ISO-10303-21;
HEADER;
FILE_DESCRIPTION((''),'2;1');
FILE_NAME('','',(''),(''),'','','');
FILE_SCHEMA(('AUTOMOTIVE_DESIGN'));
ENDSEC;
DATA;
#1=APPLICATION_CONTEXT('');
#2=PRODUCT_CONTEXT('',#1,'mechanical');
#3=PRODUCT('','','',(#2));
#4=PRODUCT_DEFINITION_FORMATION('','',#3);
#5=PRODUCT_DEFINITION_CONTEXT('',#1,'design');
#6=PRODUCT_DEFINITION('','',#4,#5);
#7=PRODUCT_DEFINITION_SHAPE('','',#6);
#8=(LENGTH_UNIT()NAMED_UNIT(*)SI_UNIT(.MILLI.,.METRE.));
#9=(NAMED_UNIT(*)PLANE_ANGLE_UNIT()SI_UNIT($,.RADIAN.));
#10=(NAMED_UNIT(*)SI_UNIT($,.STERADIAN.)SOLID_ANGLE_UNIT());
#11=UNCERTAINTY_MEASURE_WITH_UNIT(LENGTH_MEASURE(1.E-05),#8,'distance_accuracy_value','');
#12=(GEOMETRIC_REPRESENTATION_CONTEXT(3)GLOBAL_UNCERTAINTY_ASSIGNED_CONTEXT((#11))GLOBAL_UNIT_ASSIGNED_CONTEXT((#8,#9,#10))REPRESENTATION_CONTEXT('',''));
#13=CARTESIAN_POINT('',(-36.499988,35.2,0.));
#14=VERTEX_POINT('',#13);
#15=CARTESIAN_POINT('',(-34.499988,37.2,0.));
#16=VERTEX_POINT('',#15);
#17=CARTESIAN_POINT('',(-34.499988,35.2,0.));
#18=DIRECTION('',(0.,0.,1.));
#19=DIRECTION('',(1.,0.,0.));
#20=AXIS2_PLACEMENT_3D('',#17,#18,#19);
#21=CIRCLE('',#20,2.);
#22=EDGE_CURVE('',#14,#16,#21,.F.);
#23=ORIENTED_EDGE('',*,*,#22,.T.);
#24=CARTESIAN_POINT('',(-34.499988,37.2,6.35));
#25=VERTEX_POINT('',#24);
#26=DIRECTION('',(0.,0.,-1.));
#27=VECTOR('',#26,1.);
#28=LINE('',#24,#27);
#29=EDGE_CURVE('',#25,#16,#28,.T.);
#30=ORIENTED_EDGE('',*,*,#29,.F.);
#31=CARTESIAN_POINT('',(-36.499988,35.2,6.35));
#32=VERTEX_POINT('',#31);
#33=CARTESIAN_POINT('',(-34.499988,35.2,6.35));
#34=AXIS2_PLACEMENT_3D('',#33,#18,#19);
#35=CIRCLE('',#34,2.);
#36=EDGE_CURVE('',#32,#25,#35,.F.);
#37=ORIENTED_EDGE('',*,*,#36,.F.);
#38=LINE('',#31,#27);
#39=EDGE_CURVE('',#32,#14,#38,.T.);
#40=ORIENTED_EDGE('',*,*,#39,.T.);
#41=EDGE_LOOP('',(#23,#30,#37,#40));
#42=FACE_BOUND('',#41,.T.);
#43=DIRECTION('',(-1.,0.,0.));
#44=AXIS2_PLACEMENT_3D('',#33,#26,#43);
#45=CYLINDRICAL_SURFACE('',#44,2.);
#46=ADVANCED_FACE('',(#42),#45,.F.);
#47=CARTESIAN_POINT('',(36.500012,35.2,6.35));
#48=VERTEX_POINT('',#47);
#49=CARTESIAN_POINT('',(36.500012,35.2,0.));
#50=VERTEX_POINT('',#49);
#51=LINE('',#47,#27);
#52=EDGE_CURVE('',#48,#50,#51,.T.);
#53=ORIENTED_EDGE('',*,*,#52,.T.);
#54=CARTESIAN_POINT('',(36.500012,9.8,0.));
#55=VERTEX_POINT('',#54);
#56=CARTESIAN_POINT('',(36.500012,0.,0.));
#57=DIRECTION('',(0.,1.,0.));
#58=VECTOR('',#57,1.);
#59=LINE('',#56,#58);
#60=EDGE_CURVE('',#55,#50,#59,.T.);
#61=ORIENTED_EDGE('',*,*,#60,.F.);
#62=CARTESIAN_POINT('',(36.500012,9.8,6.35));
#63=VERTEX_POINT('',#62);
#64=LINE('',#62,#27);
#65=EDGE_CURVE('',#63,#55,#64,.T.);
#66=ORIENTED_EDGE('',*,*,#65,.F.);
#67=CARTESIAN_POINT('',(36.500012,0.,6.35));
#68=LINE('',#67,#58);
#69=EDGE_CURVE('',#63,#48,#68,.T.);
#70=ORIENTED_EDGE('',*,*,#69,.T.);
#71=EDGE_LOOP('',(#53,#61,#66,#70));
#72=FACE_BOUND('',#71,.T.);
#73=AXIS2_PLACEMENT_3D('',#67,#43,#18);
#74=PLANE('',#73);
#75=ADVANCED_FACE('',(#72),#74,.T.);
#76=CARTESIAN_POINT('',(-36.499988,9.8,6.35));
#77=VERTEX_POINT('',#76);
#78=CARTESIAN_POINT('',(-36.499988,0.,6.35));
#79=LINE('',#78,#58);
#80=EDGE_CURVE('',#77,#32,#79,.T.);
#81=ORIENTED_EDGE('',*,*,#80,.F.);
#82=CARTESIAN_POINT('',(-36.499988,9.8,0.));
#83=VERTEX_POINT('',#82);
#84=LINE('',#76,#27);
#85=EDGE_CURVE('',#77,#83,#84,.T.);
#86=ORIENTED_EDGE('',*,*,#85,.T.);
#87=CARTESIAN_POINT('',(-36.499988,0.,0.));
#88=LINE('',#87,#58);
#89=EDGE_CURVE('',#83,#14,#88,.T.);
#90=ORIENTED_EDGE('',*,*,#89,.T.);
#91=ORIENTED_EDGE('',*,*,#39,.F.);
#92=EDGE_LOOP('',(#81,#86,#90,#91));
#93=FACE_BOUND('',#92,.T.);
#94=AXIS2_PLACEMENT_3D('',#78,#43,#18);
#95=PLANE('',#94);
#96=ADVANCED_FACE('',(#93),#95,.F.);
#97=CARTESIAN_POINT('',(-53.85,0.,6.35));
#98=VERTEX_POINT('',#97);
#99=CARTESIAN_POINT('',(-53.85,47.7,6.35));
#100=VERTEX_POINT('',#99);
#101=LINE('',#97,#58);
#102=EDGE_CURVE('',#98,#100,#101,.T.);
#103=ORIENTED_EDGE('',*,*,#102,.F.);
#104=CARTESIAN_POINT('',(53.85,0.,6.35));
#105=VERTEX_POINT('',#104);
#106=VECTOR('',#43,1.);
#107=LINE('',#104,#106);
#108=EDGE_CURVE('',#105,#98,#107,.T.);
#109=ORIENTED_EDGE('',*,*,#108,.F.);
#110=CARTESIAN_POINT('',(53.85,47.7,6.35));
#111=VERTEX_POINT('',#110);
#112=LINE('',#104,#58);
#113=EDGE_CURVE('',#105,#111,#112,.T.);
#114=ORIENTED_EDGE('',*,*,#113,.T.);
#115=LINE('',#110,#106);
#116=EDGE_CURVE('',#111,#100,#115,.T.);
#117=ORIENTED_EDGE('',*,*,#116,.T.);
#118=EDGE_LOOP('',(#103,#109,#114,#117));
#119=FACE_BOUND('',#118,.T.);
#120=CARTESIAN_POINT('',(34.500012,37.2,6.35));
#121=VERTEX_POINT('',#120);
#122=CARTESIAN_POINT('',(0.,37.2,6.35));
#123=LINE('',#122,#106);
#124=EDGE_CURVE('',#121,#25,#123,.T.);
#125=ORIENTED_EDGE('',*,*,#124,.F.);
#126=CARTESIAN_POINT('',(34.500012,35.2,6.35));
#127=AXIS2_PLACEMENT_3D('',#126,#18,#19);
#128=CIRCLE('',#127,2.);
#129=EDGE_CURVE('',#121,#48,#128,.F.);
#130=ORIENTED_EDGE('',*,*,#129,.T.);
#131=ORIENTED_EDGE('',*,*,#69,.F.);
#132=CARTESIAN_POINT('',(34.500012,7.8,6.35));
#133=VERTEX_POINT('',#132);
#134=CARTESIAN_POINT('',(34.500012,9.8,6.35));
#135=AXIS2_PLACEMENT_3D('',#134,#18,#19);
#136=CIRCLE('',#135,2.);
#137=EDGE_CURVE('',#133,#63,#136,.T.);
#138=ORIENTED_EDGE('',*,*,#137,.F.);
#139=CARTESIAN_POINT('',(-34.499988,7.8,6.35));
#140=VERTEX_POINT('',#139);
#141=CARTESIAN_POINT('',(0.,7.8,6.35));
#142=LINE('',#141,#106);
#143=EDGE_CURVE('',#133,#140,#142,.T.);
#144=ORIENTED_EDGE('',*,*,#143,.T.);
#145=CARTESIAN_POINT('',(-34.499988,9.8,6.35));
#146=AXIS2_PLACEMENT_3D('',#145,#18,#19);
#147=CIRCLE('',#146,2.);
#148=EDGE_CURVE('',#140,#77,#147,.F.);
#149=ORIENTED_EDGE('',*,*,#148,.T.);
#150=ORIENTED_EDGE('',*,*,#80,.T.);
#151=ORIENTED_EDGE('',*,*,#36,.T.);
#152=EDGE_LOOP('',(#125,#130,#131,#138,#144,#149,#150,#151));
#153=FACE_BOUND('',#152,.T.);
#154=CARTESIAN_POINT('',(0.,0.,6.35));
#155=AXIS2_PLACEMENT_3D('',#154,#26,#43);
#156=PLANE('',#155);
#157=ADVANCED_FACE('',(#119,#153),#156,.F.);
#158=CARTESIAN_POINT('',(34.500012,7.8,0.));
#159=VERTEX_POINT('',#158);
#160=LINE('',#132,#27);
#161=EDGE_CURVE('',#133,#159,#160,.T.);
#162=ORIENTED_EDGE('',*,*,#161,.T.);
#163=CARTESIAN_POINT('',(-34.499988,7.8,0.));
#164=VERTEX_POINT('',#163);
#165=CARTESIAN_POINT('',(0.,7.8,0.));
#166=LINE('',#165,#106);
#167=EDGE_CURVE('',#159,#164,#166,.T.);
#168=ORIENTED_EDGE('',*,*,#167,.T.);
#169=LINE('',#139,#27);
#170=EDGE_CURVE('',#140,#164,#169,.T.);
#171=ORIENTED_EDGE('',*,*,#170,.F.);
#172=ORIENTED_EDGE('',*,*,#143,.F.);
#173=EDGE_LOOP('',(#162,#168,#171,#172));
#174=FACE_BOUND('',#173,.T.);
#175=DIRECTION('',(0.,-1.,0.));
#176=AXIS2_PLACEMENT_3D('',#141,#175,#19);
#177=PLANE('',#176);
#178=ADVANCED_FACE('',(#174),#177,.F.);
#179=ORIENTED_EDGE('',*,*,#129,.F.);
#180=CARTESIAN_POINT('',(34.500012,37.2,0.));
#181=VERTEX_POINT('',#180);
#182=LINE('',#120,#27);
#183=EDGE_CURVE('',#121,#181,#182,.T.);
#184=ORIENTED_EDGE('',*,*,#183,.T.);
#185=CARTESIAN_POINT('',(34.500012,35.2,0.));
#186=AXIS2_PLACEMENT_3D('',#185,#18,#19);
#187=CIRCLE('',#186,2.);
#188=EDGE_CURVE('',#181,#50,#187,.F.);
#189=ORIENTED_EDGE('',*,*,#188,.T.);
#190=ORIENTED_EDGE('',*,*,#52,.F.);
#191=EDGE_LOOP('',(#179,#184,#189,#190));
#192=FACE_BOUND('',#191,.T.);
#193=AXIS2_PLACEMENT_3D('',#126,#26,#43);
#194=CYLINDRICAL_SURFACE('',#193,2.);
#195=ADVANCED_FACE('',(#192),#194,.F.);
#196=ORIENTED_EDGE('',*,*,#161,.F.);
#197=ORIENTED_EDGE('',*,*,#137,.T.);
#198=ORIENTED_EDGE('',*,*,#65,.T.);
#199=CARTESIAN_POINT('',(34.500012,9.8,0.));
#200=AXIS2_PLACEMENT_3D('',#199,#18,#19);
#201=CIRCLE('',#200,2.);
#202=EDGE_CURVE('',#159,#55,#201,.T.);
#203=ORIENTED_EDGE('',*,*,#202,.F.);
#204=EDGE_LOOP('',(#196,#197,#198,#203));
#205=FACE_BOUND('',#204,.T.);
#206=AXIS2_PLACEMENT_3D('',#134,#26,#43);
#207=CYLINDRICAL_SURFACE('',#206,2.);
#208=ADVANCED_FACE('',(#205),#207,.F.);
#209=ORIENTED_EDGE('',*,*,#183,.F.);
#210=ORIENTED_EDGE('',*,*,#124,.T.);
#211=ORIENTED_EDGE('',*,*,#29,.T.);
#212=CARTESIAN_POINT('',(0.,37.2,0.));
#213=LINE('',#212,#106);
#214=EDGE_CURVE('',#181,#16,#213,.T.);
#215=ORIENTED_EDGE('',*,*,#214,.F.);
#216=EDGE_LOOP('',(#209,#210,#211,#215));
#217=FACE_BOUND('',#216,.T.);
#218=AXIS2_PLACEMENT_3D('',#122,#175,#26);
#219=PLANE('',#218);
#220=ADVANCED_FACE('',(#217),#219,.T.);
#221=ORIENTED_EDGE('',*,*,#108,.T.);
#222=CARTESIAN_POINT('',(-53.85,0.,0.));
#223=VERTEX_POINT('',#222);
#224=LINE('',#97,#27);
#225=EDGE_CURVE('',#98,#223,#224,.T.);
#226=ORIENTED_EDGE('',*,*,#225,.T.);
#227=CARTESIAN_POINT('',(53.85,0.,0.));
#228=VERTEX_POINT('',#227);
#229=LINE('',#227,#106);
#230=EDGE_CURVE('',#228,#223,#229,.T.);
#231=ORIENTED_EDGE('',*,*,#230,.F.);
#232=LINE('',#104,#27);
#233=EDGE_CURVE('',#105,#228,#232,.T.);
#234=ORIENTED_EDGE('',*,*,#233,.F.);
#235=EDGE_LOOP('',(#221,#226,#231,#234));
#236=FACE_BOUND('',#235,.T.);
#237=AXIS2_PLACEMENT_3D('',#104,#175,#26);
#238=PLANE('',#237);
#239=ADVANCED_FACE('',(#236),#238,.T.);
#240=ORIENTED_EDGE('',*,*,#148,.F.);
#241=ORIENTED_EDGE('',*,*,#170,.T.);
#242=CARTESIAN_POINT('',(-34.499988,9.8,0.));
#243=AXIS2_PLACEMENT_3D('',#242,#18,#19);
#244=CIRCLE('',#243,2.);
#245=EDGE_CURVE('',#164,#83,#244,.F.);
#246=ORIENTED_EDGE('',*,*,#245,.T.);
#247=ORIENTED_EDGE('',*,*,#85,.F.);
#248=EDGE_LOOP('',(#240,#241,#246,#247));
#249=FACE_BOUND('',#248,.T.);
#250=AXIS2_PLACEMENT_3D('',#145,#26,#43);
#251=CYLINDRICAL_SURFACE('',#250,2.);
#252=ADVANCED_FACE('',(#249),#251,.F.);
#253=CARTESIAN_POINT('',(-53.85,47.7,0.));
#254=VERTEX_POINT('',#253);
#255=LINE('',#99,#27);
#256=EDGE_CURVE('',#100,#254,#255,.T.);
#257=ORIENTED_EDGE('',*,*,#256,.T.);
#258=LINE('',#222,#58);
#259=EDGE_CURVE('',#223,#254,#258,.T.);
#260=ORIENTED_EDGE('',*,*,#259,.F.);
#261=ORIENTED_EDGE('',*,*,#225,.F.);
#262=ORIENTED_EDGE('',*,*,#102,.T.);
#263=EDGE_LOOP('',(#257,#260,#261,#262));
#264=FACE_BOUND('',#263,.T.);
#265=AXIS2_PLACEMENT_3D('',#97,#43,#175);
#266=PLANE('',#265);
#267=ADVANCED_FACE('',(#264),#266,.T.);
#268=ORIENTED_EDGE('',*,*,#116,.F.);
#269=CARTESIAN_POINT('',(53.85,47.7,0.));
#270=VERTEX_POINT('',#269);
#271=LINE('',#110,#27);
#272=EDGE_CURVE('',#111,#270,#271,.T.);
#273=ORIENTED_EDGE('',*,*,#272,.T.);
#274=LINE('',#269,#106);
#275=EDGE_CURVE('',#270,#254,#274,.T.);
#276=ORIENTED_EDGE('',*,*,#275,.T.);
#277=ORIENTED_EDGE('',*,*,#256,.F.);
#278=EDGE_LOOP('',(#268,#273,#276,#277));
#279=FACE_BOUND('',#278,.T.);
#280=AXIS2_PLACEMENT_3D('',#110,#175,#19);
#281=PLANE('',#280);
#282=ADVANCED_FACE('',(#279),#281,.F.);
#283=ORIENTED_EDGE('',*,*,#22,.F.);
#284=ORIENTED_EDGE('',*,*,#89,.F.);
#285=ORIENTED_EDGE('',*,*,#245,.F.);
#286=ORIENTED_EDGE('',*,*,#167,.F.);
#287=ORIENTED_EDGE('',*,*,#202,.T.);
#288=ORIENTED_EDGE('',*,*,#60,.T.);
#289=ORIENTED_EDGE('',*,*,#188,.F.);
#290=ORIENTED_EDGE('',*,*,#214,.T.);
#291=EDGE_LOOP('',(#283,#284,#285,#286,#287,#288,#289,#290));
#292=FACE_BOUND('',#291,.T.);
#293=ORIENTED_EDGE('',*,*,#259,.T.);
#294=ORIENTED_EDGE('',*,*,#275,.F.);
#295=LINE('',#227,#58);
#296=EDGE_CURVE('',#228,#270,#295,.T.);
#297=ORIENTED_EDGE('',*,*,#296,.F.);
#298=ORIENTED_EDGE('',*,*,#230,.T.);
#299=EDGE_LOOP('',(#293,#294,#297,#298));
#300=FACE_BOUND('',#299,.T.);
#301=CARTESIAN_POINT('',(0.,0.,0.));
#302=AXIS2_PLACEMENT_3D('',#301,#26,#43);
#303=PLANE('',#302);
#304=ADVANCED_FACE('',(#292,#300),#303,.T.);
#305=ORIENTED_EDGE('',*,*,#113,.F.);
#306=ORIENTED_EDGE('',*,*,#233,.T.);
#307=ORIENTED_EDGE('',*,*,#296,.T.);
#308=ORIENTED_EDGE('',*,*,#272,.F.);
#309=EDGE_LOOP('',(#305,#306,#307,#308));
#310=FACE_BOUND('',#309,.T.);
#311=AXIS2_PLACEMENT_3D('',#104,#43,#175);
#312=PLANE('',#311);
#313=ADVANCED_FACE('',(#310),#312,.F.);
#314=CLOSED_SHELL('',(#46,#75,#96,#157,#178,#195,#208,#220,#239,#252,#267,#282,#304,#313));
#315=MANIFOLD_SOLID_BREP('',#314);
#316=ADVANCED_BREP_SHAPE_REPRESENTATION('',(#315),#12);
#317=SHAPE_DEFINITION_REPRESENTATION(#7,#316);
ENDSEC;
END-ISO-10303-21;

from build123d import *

# Parameters (mm, degrees)
SKETCH1_W           = 107.7
SKETCH1_H           = 47.7
BOSS_EXTRUDE1_DEPTH = 6.35


with BuildPart() as part:
    # Sketch1 → Boss-Extrude1 (new body)
    with BuildSketch(Plane.XY):
        with Locations((0, 23.85)):
            Rectangle(SKETCH1_W, SKETCH1_H)
        with BuildLine():
            Line((34.500012, 7.8), (-34.499988, 7.8))
            ThreePointArc((-34.499988, 7.8), (-35.914201562, 8.385786438), (-36.499988, 9.8))
            Line((-36.499988, 9.8), (-36.499988, 35.2))
            ThreePointArc((-36.499988, 35.2), (-35.914201562, 36.614213562), (-34.499988, 37.2))
            Line((-34.499988, 37.2), (34.500012, 37.2))
            ThreePointArc((34.500012, 37.2), (35.914225562, 36.614213562), (36.500012, 35.2))
            Line((36.500012, 35.2), (36.500012, 9.8))
            ThreePointArc((36.500012, 9.8), (35.914225562, 8.385786438), (34.500012, 7.8))
        make_face(mode=Mode.SUBTRACT)
    extrude(amount=BOSS_EXTRUDE1_DEPTH)


solid = part.part
